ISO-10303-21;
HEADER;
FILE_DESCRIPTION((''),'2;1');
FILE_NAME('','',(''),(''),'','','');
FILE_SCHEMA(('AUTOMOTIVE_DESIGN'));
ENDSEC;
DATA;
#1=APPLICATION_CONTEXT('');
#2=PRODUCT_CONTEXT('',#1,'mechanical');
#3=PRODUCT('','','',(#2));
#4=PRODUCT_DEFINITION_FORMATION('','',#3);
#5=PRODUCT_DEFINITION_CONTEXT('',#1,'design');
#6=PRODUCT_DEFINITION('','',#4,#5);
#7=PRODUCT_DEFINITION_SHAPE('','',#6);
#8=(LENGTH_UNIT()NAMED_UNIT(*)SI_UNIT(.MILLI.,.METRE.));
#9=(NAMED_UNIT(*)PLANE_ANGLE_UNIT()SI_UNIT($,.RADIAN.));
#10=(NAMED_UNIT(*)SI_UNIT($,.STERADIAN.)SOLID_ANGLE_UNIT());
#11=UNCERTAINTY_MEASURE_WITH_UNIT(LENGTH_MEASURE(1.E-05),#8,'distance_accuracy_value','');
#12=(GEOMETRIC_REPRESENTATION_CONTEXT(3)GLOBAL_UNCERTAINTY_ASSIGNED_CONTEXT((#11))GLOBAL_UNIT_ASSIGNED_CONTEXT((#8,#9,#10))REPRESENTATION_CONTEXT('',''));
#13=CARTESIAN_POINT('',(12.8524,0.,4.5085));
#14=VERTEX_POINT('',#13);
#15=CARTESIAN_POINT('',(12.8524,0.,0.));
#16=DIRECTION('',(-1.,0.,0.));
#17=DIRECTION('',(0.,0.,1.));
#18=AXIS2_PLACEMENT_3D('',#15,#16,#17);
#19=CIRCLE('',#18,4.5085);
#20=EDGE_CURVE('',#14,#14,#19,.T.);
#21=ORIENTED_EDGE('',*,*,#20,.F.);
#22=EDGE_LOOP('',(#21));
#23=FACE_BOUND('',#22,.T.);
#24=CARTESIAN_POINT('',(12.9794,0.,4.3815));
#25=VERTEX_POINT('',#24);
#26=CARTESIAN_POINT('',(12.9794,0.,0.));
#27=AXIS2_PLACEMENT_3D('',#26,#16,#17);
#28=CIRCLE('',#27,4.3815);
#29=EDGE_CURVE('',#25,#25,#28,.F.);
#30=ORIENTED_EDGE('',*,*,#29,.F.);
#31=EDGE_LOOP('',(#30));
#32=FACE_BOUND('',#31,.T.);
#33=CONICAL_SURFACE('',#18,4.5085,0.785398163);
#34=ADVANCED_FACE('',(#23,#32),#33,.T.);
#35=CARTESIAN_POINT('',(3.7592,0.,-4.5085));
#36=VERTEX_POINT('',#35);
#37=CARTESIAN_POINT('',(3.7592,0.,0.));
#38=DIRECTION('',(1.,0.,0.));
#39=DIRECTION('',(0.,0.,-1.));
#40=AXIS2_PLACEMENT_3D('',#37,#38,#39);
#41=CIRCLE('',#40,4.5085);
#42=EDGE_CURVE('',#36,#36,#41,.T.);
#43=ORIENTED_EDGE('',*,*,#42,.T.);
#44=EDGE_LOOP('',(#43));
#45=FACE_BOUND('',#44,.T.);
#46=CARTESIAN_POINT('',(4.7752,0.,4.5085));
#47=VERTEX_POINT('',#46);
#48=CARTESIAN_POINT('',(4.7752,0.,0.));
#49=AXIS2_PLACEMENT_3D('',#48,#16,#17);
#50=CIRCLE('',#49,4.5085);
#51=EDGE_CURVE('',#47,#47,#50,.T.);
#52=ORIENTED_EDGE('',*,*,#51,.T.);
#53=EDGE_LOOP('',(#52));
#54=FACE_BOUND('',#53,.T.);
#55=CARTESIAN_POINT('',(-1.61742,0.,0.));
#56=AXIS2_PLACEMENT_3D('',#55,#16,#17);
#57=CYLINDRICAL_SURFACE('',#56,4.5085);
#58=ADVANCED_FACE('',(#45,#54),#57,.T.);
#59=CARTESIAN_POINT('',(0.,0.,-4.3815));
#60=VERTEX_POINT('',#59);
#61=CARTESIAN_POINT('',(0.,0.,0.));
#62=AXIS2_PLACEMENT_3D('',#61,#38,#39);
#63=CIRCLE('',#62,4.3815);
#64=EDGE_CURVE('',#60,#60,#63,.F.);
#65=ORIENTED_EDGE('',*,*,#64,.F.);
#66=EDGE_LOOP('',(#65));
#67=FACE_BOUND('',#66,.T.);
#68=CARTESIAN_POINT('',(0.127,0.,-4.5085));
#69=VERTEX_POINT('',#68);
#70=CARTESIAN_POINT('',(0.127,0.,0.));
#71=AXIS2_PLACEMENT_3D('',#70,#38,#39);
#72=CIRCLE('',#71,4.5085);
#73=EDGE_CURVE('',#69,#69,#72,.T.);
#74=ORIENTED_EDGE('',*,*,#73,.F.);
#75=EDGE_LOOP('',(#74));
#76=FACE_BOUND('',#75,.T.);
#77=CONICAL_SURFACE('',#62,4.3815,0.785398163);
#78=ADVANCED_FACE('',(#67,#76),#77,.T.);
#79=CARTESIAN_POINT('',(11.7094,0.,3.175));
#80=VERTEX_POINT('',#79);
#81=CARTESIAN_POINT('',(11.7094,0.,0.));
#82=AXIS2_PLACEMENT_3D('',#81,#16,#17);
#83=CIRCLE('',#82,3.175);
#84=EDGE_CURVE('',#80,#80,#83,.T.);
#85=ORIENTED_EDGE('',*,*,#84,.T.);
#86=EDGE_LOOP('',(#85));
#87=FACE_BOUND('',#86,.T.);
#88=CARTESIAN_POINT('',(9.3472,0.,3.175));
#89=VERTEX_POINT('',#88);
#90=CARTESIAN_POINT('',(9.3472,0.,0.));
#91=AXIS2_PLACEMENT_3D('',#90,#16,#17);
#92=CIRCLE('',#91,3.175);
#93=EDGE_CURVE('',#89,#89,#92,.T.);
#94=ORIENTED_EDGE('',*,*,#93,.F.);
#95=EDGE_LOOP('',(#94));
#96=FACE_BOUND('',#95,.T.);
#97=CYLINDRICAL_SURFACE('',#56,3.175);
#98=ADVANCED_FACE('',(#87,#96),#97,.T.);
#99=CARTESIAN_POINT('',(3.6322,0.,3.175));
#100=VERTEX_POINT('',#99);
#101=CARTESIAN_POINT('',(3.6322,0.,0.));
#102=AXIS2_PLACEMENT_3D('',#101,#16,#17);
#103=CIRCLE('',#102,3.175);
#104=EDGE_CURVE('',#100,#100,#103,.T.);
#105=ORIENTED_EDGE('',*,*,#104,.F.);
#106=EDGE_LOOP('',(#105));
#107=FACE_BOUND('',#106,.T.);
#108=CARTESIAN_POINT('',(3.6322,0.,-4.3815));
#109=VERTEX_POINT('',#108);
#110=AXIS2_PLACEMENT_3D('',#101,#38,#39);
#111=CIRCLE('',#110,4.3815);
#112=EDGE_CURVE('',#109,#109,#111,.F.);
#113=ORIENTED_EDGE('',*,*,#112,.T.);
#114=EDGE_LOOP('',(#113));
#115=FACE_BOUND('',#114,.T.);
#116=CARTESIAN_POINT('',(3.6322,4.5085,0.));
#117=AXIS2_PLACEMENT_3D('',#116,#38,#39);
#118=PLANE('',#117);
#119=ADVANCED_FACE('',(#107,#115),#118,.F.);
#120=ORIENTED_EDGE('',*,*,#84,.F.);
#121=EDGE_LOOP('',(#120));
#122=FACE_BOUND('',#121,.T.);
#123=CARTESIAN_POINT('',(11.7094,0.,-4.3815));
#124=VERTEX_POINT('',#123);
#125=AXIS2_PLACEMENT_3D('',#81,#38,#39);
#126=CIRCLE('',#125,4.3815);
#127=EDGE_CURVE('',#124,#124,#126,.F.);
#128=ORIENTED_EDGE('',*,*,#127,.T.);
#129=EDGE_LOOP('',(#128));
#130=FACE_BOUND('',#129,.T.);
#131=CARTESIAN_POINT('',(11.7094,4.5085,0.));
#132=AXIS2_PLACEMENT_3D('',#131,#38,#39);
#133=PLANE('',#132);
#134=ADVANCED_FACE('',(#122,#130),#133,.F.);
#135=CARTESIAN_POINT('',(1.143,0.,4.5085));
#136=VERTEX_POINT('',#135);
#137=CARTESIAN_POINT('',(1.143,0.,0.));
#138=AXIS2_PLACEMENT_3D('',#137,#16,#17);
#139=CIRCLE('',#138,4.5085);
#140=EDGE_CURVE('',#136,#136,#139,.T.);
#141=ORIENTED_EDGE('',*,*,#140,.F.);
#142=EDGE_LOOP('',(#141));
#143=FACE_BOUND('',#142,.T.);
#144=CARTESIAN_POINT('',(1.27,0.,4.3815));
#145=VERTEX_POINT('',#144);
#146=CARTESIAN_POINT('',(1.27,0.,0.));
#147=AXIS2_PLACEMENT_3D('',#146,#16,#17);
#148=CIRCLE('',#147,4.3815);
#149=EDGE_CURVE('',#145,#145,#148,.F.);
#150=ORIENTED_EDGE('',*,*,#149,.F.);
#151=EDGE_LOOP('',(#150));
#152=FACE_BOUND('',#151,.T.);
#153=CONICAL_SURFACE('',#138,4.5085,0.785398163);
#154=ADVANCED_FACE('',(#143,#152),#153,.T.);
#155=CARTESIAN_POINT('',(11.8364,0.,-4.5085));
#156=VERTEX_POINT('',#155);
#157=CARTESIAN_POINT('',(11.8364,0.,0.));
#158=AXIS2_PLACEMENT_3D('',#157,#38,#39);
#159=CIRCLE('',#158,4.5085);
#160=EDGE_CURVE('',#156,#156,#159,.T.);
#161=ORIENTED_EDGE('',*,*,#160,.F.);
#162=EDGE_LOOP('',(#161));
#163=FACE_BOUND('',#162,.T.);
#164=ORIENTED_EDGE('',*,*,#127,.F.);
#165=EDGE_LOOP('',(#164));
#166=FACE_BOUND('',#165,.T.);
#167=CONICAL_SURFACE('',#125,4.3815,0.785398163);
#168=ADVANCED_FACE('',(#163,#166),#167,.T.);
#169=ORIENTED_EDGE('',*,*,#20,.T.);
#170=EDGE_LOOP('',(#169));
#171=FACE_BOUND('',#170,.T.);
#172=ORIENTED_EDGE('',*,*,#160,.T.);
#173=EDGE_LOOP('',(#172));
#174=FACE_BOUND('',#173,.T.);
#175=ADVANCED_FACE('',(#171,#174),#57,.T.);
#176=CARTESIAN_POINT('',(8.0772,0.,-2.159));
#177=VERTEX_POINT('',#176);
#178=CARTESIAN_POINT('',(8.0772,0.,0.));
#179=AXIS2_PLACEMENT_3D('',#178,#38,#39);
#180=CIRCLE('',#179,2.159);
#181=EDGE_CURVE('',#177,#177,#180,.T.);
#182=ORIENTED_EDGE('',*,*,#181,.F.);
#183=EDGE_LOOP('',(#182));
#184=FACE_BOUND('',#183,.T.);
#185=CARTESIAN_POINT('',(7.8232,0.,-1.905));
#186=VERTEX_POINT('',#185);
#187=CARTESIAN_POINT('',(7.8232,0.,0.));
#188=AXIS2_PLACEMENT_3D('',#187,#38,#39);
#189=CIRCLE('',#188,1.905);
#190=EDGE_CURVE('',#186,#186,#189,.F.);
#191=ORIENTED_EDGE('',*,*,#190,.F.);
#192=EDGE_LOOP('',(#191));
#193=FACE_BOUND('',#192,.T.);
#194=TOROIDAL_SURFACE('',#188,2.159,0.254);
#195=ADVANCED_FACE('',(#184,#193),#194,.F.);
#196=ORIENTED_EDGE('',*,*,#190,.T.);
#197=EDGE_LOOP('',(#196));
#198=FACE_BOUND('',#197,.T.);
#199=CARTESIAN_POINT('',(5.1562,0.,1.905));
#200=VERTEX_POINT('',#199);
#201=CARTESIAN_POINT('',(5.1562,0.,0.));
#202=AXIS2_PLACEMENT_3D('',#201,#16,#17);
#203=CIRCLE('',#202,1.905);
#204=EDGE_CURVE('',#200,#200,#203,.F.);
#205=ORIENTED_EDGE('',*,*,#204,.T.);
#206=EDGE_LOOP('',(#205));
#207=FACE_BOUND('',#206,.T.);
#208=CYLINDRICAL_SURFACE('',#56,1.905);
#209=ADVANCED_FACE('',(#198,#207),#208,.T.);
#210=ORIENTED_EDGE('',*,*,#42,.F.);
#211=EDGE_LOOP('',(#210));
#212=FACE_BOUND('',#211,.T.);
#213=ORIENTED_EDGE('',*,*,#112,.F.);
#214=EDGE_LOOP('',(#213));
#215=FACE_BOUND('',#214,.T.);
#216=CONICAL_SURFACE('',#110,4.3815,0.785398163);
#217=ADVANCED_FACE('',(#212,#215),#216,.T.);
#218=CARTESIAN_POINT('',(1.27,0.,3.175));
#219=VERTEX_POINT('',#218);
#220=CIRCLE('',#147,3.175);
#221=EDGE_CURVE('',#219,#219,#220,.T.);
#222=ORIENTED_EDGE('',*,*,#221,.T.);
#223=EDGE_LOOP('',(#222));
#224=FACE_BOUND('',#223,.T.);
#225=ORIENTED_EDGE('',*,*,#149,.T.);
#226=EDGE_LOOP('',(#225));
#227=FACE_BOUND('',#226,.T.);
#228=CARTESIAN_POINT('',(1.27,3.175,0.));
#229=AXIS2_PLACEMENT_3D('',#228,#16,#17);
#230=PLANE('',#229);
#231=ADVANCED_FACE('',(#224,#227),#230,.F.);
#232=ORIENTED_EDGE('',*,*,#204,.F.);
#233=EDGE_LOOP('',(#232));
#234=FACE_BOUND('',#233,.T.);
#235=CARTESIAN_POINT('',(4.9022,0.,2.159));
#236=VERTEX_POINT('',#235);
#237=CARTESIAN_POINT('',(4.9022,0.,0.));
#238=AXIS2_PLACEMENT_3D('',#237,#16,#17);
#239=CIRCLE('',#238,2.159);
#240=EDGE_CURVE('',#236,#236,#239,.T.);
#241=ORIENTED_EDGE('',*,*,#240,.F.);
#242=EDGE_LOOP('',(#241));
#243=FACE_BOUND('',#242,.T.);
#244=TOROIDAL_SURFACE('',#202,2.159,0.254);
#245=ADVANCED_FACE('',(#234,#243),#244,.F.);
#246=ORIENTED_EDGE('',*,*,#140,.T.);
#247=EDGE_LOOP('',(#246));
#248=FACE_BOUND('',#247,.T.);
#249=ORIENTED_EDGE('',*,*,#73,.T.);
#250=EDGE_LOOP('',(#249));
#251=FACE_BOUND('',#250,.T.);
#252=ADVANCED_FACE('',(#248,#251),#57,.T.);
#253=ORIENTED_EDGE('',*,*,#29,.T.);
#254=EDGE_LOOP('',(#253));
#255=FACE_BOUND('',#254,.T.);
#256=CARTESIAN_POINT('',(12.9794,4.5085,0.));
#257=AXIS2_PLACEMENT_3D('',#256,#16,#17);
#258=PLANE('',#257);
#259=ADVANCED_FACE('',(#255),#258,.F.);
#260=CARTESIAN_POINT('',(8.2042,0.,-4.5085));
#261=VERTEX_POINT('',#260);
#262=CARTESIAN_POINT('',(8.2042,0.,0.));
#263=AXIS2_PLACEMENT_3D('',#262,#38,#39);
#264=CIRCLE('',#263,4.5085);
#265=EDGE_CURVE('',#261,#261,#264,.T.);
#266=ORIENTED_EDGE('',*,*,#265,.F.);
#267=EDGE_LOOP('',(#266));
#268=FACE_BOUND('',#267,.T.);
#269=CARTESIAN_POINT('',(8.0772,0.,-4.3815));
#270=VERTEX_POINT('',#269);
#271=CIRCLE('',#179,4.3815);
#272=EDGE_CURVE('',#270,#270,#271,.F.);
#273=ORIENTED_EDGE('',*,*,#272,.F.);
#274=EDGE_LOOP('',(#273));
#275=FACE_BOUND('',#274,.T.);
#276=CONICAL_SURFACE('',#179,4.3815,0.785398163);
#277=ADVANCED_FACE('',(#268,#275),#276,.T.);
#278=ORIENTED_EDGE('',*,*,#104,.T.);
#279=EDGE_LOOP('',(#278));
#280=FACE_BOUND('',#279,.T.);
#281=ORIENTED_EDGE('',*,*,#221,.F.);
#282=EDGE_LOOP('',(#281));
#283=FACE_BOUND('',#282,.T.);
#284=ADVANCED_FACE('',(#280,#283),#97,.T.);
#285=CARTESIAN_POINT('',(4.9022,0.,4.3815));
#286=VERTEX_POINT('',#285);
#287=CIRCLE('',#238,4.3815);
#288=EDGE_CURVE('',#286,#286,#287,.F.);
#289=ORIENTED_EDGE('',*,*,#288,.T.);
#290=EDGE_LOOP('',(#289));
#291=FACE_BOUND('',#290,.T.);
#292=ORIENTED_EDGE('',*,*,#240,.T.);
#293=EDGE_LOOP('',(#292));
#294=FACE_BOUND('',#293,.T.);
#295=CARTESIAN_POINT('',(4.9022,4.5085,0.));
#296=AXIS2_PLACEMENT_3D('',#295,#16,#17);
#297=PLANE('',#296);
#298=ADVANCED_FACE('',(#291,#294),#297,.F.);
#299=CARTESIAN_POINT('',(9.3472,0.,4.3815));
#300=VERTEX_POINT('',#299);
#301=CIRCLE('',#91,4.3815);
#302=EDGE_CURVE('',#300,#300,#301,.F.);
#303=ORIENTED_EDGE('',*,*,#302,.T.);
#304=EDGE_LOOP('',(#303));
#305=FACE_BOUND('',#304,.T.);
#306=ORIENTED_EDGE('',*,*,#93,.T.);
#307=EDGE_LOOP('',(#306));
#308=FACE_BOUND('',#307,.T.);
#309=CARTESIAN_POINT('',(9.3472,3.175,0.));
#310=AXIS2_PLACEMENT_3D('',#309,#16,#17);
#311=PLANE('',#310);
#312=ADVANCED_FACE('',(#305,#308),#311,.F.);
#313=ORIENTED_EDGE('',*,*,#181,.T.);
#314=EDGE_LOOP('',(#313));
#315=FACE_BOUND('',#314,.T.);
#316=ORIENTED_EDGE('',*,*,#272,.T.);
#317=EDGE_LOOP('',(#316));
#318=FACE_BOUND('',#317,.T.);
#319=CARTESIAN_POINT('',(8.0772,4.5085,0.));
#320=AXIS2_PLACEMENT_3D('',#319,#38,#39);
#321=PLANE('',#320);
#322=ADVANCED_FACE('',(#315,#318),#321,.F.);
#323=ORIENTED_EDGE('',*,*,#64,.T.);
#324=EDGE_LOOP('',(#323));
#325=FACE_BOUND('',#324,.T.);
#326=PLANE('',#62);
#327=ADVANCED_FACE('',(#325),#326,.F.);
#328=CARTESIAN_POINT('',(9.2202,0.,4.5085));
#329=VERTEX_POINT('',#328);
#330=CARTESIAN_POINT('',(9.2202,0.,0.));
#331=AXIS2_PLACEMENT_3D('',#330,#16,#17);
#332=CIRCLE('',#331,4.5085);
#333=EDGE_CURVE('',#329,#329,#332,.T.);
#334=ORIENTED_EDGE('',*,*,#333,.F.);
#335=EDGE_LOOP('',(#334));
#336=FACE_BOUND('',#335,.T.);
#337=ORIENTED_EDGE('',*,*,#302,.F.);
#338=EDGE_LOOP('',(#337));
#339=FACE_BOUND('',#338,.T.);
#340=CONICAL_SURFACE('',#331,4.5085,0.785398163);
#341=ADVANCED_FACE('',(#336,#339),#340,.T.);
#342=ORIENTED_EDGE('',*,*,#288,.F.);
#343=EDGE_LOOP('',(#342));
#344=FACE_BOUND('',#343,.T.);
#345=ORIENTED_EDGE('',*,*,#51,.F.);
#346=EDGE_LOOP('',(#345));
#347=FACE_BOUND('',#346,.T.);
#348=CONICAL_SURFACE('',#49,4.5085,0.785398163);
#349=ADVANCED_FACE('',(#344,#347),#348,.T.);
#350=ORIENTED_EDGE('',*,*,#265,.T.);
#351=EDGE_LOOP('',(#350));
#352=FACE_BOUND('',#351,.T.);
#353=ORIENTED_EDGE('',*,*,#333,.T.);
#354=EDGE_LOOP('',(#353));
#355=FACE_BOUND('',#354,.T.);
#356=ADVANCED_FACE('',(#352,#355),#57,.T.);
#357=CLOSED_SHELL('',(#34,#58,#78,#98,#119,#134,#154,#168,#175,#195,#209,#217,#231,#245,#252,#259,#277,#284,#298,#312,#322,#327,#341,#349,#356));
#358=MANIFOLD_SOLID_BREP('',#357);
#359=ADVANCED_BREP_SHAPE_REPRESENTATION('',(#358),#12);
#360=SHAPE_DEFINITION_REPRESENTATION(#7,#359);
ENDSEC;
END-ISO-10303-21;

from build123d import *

# Parameters (mm, degrees)
VENT_EDGE_BREAK_SIZE = 0.127
FILLET1_R            = 0.254


with BuildPart() as part:
    # Sketch2 → Revolve1 (revolve)
    with BuildSketch(Plane.XY, mode=Mode.PRIVATE) as revolve1_sk:
        Polygon((3.6322, 4.5085), (3.6322, 3.175), (1.27, 3.175), (1.27, 4.5085), (0, 4.5085), (0, 0), (12.9794, 0), (12.9794, 4.5085), (11.7094, 4.5085), (11.7094, 3.175), (9.3472, 3.175), (9.3472, 4.5085), (8.0772, 4.5085), (8.0772, 1.905), (4.9022, 1.905), (4.9022, 4.5085), align=None)
    revolve(revolve1_sk.sketch.rotate(Axis((-1.617419624, 0, 0), (1, 0, 0)), 90), axis=Axis((-1.617419624, 0, 0), (1, 0, 0)))

    # vent-edge-break
    vent_edge_break_edges = [part.edges().sort_by_distance(p)[0] for p in [
        (1.27, 0, -4.5085),
        (3.6322, 0, -4.5085),
        (4.9022, 0, -4.5085),
        (8.0772, 0, -4.5085),
        (9.3472, 0, -4.5085),
        (11.7094, 0, -4.5085),
        (12.9794, 0, -4.5085),
        (0, 0, -4.5085),
    ]]
    chamfer(vent_edge_break_edges, length=VENT_EDGE_BREAK_SIZE)

    # Fillet1
    fillet1_edges = [part.edges().sort_by_distance(p)[0] for p in [
        (4.9022, 0, -1.905),
        (8.0772, 0, -1.905),
    ]]
    fillet(fillet1_edges, radius=FILLET1_R)


solid = part.part
